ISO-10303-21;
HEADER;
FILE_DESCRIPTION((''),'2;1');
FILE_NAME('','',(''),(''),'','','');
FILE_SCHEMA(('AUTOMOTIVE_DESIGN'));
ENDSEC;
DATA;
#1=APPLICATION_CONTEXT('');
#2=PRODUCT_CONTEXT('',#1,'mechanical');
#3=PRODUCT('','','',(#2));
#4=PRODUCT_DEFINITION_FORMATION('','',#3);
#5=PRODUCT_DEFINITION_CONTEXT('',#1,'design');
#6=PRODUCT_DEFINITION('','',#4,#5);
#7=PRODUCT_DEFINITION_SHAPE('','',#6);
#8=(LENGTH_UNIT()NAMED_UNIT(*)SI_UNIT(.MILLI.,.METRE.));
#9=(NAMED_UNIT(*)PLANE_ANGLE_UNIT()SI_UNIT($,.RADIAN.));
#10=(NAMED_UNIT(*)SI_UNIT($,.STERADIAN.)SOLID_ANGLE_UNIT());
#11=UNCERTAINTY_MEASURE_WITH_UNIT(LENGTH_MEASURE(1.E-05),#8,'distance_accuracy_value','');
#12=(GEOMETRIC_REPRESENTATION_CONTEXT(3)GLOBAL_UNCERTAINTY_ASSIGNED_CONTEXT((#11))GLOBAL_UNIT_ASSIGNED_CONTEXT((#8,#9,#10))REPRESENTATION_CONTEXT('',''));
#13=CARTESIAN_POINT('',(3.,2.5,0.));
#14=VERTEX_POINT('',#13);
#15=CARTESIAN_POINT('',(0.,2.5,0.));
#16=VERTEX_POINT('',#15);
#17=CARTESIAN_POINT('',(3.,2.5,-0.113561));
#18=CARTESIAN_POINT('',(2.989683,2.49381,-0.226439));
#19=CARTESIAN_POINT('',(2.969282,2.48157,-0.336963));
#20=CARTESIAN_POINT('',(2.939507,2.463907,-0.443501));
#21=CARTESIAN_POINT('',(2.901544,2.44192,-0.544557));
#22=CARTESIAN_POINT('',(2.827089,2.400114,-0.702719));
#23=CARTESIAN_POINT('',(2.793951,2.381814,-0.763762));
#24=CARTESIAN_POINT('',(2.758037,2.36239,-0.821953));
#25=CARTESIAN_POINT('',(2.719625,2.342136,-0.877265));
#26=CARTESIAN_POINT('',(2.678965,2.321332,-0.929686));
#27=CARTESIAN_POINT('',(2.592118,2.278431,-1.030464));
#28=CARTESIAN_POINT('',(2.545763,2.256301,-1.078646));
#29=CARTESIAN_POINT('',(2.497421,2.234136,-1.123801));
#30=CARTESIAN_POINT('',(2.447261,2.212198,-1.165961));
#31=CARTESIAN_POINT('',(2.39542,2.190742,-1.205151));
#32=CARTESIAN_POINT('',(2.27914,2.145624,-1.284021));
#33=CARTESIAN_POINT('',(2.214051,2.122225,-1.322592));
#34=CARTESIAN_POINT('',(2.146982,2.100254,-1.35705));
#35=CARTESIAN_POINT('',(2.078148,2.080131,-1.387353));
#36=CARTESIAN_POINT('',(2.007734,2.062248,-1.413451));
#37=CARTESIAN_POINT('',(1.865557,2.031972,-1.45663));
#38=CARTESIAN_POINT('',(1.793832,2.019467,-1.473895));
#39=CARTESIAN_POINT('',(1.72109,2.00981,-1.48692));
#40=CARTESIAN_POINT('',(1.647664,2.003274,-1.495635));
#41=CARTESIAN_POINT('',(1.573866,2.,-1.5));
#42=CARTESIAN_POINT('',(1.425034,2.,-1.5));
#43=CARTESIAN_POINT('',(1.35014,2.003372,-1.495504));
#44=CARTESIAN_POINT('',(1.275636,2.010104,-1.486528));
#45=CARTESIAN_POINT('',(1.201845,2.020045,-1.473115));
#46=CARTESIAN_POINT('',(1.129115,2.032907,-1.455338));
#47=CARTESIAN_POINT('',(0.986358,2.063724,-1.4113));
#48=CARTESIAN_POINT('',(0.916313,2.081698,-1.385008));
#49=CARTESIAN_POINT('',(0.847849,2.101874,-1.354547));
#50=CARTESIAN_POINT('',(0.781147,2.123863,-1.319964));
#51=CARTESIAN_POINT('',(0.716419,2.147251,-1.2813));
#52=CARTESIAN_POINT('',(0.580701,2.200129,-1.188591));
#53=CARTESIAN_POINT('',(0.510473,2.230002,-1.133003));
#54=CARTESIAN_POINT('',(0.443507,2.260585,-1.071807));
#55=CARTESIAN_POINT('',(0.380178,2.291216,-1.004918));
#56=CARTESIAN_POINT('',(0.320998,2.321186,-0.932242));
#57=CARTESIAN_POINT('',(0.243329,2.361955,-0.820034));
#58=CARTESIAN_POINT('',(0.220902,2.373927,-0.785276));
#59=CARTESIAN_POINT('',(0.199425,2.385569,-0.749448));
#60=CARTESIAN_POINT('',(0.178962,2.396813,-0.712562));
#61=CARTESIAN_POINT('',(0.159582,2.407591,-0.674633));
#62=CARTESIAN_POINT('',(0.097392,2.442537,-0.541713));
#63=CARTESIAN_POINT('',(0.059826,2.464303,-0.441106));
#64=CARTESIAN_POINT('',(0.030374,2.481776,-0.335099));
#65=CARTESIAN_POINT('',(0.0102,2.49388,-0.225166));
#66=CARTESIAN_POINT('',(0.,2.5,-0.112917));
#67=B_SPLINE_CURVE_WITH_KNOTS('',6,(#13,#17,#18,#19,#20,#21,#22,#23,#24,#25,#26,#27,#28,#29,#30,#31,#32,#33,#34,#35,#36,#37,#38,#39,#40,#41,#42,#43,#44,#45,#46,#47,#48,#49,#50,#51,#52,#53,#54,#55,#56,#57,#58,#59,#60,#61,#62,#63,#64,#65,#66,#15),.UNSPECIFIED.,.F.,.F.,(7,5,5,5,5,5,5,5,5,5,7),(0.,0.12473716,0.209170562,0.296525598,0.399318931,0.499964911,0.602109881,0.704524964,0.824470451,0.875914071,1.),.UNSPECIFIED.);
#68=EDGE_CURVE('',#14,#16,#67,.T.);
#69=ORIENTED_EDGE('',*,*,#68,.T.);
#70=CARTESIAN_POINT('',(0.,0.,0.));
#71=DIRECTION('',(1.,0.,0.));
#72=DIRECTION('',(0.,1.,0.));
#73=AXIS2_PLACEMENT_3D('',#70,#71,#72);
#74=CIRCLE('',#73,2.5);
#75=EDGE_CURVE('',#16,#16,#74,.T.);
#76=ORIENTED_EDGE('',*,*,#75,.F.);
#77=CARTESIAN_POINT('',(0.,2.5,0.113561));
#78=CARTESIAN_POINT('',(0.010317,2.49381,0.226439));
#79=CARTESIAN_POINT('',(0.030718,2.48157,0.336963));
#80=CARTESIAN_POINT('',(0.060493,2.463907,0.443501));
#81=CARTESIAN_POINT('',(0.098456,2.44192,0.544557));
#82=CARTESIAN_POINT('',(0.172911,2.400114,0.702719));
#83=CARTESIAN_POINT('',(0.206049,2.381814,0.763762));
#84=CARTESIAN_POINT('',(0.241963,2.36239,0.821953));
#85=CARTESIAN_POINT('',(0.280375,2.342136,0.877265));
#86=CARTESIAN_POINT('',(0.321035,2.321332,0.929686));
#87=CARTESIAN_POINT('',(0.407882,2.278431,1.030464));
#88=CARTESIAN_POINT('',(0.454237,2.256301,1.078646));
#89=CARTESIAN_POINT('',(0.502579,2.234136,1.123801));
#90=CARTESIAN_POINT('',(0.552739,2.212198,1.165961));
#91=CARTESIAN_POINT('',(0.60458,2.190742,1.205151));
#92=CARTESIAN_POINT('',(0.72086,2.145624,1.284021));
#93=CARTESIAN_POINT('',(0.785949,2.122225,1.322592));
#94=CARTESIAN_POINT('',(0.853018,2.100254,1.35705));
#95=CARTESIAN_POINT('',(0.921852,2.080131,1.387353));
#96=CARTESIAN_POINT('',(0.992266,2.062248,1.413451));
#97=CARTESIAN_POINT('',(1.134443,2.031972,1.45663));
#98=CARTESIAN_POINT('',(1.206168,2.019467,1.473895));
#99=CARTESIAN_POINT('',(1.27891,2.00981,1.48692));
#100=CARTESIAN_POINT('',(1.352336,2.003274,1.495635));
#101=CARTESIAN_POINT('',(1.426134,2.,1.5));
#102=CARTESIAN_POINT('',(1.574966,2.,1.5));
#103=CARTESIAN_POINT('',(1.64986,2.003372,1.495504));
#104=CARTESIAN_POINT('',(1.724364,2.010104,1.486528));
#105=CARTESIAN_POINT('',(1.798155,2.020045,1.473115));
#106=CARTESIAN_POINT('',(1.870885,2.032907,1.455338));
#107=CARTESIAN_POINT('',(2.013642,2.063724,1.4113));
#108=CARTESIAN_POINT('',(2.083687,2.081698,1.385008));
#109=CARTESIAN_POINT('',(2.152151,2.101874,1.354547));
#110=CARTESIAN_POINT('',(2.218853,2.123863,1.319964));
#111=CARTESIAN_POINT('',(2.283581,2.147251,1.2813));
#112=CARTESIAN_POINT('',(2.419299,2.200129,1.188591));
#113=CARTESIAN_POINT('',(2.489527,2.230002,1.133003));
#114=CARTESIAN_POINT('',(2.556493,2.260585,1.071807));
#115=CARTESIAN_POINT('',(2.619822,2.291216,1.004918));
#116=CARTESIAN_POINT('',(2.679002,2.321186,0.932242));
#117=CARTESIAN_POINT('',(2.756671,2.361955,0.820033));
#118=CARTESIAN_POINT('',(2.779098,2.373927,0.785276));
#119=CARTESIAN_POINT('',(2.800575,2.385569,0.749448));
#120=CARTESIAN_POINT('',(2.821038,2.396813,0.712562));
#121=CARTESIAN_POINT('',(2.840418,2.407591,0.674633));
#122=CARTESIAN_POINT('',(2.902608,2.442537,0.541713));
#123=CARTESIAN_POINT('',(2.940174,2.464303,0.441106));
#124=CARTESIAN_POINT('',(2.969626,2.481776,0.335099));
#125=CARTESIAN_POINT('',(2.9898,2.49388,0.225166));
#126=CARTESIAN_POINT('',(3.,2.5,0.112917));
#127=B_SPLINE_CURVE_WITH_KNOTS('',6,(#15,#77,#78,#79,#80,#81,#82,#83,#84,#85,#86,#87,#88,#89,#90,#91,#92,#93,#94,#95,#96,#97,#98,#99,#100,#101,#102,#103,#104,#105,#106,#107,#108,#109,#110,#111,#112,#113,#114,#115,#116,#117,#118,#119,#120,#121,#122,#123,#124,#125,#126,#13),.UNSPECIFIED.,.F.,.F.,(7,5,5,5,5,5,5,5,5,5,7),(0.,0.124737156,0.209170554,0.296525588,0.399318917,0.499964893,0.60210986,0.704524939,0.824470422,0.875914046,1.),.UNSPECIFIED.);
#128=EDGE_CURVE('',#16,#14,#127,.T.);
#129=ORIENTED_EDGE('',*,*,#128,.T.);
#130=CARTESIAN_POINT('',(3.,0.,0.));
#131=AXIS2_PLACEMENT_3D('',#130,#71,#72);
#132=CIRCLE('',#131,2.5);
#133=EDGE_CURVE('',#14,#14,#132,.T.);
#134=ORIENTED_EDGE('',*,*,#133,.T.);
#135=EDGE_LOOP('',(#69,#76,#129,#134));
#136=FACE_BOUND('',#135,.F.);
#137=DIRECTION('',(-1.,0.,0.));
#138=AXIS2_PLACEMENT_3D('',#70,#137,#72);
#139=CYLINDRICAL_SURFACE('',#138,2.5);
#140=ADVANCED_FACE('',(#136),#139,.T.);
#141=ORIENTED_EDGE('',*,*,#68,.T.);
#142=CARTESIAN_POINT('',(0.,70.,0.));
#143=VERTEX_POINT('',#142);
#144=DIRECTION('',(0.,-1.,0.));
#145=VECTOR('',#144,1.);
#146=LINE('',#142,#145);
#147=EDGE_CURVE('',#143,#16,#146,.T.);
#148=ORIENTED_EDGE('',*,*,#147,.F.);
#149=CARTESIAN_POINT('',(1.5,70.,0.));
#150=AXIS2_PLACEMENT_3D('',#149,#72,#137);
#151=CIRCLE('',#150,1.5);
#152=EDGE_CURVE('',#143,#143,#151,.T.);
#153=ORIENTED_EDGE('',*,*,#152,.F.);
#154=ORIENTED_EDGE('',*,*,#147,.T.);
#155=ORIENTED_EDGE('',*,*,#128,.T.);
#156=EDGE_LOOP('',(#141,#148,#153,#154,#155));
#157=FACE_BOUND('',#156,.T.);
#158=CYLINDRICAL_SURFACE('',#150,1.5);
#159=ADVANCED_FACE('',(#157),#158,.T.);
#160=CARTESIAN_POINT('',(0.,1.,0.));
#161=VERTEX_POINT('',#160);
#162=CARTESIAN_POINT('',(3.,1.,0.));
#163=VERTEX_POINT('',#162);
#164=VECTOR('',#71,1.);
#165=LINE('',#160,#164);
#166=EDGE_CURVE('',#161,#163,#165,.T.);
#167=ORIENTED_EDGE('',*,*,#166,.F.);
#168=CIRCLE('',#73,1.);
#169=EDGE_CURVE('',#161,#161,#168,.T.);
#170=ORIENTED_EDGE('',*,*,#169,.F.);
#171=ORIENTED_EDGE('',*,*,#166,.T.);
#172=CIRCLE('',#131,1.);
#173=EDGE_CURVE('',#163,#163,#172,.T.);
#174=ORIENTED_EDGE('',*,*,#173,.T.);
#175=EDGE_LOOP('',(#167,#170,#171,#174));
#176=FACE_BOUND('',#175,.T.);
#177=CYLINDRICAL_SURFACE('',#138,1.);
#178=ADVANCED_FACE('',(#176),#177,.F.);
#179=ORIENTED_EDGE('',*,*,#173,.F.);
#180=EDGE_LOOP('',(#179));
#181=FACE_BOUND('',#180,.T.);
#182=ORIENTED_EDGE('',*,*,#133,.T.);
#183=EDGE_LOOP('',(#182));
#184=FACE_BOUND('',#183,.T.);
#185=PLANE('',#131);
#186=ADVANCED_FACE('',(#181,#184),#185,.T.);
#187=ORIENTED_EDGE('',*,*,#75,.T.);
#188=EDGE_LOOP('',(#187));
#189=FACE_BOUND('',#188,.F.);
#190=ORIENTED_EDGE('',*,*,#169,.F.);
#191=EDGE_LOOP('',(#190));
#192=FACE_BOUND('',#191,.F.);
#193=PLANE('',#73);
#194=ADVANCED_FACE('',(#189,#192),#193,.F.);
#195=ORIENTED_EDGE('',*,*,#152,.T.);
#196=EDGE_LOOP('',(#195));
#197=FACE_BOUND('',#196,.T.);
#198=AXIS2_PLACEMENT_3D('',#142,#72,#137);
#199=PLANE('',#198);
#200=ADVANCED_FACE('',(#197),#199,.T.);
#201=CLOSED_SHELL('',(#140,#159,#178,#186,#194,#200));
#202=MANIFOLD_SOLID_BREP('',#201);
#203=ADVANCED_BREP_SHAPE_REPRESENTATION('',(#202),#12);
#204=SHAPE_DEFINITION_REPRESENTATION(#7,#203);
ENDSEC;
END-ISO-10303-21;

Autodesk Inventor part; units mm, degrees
ref_plane "YZ Plane" through (0, 0, 0) normal (1, 0, 0) x (0, 1, 0)
sketch "Sketch1" plane through (0, 0, 0) normal (1, 0, 0) x (0, 1, 0)
  circle A0 centre (0, 0) radius 1
  circle A1 centre (0, 0) radius 2.5
  dimension "d0" = 2
  dimension "d1" = 5
extrude "Extrusion1" add sketch "Sketch1" along normal blind 3
ref_plane "Work Plane1" through (1.5, 0, 0) normal (1, 0, 0) x (0, 0, -1)
ref_plane "Work Plane2" through (0, 70, 0) normal (0, 1, 0) x (-1, 0, 0)
sketch "Sketch2" plane through (0, 70, 0) normal (0, 1, 0) x (-1, 0, 0)
  line L0 (0, 2.5) -> (0, -2.5) projected
  point P0 (0, 0)
sketch "Sketch3" plane through (0, 70, 0) normal (0, 1, 0) x (-1, 0, 0)
  line L0 (0, 0) -> (-1.5, 0)
  circle A0 centre (-1.5, 0) radius 1.5
  dimension "d5" = 1.5
  dimension "d6" = 3
extrude "Extrusion2" add sketch "Sketch3" against normal up to surface
properties part number "BarX70mm"
